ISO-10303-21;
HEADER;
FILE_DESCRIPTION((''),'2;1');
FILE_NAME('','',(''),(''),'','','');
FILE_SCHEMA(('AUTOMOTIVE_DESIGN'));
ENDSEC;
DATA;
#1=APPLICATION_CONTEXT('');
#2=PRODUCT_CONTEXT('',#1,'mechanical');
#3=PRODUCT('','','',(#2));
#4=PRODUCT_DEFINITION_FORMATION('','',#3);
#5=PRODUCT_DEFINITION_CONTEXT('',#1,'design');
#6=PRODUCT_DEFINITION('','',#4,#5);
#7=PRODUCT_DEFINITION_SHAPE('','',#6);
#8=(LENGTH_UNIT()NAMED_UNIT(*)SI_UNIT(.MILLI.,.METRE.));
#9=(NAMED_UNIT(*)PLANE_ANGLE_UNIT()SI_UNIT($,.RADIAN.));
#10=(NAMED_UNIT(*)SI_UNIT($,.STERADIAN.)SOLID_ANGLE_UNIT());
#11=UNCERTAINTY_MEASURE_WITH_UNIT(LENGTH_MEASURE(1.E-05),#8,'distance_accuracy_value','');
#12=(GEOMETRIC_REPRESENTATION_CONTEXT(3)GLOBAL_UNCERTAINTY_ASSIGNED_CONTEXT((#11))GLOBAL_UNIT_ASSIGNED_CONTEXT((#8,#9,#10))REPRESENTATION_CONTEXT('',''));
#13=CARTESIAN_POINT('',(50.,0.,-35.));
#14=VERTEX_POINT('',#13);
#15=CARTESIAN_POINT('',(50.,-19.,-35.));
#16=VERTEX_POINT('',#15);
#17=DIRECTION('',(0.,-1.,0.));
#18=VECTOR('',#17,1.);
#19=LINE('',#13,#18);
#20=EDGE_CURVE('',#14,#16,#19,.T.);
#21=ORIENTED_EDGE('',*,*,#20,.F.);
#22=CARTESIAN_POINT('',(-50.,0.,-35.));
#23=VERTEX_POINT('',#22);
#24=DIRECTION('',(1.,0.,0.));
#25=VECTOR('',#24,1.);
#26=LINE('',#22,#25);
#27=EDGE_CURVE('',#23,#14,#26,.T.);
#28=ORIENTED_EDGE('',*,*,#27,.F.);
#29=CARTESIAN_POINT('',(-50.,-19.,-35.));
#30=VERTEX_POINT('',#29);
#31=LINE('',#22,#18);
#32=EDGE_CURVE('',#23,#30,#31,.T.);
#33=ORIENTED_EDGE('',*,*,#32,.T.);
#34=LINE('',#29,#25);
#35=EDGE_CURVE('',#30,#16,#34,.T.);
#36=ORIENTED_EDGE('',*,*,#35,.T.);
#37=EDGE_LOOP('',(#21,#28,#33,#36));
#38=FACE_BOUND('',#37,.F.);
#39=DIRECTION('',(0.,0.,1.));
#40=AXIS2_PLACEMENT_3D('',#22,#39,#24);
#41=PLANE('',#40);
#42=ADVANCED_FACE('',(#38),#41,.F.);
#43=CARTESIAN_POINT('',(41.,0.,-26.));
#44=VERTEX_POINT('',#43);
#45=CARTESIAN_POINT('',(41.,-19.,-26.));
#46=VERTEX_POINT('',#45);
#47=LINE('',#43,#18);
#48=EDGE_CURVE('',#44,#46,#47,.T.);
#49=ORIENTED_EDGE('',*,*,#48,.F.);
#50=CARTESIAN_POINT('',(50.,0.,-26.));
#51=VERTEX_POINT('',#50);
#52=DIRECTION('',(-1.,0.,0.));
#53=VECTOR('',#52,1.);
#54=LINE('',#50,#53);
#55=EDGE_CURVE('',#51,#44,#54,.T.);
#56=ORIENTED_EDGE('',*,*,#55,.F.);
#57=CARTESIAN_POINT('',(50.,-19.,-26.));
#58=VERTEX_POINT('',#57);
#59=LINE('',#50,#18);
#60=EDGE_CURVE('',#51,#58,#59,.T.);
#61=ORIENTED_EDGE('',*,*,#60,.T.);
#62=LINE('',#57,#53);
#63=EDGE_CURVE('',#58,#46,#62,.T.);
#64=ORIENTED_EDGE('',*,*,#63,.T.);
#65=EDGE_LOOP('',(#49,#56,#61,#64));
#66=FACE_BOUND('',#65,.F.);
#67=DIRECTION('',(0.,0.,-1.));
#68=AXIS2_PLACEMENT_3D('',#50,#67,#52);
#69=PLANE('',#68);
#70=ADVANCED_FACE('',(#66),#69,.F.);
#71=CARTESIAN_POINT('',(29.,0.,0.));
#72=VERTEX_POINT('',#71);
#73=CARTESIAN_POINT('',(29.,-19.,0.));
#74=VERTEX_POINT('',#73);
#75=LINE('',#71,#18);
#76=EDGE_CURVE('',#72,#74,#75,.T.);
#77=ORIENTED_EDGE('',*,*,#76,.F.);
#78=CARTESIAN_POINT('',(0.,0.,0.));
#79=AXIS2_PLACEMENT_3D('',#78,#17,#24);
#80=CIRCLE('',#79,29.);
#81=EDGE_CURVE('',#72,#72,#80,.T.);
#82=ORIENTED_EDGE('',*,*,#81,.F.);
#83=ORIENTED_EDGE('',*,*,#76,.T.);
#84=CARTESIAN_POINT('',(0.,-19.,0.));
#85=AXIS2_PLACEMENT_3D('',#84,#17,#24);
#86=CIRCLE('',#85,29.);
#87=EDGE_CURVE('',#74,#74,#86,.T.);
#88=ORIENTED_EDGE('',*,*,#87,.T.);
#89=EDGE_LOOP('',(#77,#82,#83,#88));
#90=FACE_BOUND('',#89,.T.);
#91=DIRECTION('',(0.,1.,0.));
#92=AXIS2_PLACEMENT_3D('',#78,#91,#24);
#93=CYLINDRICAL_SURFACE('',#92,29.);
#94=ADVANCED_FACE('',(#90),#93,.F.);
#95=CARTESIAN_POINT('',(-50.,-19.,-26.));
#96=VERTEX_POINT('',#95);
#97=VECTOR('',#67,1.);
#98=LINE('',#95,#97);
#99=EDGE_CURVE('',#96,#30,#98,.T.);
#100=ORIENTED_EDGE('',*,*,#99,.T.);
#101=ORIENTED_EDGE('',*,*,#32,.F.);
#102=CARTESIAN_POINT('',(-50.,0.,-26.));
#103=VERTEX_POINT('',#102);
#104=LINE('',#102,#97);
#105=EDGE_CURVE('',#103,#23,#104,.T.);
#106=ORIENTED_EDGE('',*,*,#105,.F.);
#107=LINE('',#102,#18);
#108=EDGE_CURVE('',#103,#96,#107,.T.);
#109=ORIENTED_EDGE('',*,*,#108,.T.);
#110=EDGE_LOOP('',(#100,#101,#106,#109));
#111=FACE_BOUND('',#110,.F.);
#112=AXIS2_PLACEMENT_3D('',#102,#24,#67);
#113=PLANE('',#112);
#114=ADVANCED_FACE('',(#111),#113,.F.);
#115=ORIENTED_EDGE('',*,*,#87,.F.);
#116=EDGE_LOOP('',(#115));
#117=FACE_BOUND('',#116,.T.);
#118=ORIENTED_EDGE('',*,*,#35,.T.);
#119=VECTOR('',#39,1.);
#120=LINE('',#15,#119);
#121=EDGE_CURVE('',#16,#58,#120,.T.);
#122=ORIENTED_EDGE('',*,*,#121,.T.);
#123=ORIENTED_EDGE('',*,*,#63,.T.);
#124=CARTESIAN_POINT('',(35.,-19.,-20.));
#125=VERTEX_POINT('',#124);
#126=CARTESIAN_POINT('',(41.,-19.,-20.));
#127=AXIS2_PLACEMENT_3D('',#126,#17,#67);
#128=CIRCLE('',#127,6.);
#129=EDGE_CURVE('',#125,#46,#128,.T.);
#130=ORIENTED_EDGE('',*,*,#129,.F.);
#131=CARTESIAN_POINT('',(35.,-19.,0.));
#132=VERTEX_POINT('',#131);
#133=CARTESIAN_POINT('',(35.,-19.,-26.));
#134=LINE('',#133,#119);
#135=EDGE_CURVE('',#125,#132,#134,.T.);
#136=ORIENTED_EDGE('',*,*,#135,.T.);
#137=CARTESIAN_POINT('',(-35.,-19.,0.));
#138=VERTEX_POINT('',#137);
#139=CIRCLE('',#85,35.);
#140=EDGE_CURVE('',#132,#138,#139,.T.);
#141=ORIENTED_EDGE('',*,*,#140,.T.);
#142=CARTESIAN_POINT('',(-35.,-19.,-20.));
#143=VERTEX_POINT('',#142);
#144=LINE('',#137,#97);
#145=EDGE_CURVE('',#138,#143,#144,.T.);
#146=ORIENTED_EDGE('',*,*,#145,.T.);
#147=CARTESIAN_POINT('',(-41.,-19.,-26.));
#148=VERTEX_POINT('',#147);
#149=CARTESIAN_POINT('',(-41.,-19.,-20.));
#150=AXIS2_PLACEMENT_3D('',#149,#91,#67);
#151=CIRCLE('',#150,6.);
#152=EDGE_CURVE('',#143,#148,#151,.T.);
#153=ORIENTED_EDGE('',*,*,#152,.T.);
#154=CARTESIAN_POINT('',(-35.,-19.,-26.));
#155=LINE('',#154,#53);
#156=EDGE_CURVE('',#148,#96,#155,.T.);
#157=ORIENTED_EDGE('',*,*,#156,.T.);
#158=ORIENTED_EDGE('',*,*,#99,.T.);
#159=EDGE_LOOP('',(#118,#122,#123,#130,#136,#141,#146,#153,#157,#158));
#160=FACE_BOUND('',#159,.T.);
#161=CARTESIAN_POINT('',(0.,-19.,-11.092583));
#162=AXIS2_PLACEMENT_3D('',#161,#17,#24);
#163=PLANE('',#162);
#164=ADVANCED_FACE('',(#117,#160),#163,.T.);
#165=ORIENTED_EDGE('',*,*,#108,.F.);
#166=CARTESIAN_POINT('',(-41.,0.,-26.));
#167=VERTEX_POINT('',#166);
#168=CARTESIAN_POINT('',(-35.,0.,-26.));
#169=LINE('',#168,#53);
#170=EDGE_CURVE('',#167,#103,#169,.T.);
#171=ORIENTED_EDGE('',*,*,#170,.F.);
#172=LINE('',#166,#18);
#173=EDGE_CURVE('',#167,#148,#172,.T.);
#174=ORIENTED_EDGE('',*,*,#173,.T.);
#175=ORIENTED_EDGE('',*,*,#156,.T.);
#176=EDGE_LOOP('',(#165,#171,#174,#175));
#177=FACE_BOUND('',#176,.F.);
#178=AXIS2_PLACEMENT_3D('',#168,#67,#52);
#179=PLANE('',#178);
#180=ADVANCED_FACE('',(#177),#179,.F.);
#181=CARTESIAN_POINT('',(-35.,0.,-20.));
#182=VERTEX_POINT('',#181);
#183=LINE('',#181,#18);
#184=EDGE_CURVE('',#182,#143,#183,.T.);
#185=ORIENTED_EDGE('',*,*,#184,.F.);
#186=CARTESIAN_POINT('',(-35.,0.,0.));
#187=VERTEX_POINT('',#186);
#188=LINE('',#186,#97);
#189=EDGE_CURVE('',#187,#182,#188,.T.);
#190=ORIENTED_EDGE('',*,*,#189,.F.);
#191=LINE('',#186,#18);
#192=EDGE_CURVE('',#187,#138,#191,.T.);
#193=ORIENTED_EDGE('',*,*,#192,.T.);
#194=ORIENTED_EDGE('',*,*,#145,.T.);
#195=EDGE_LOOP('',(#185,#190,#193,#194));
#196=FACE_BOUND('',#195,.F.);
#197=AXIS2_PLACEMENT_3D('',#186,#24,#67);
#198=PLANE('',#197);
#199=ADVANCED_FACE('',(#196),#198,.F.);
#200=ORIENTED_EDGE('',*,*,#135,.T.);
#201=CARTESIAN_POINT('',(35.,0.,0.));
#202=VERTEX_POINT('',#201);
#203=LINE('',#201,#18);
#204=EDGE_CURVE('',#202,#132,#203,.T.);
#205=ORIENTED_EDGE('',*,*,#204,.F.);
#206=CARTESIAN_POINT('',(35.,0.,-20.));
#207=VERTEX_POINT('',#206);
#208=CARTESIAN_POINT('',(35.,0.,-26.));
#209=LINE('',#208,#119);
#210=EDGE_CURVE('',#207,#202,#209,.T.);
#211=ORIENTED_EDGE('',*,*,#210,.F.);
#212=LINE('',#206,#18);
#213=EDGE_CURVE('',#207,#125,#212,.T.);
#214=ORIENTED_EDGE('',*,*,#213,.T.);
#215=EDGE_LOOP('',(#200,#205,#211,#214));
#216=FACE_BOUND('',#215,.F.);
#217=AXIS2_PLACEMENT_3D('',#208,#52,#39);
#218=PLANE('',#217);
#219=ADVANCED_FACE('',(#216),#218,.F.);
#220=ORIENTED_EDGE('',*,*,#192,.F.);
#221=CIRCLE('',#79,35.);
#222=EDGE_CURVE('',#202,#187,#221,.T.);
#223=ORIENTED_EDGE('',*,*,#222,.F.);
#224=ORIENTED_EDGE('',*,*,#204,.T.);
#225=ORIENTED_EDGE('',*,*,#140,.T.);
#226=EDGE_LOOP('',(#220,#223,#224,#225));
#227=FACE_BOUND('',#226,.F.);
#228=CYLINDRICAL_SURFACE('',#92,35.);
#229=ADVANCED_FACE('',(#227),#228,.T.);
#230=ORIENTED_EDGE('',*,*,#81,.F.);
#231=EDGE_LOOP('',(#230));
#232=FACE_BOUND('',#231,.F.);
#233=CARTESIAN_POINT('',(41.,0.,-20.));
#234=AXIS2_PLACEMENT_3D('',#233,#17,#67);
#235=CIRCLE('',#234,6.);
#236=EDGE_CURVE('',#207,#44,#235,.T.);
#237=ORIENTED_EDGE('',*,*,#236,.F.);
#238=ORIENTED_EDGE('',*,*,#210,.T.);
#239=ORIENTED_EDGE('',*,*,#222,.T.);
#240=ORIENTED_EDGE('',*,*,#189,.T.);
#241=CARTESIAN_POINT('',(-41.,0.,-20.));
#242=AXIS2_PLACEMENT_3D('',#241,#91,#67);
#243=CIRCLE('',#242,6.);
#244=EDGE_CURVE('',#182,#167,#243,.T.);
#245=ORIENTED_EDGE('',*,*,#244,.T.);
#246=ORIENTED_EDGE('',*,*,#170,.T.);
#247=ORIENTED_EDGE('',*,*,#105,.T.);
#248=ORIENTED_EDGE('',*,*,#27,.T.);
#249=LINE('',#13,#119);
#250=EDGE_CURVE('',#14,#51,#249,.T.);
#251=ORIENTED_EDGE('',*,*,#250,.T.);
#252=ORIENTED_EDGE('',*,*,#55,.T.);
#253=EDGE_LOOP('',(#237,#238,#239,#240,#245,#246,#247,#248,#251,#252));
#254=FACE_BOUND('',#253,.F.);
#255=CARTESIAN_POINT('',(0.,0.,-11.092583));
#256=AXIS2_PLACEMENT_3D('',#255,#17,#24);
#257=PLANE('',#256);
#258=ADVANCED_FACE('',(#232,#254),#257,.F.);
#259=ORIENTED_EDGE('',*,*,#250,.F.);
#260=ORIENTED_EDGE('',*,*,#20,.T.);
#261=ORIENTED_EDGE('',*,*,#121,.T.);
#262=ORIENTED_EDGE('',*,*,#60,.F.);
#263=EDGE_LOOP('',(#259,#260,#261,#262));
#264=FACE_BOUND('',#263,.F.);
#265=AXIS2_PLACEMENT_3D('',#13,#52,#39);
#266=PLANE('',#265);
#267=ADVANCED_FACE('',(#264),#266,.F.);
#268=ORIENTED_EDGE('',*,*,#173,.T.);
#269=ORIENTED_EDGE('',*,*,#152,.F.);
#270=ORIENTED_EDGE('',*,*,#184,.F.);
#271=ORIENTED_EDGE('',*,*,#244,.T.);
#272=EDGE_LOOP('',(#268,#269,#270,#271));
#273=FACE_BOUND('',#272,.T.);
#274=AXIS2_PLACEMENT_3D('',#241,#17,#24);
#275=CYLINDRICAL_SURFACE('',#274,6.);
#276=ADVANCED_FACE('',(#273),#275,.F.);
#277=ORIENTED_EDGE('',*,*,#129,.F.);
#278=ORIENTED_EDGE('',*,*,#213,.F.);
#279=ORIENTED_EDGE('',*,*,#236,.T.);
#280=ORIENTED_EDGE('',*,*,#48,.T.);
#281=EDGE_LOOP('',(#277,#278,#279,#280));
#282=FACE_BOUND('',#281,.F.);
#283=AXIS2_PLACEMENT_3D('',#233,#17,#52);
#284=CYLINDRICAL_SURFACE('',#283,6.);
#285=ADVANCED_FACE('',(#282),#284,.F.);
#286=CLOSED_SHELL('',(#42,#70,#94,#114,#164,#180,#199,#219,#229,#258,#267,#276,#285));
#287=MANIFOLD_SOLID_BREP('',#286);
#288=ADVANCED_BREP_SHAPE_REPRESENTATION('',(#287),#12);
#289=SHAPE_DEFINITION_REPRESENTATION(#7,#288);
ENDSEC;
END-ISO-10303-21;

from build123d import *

# Parameters (mm, degrees)
F0_R     = 29
F1_DEPTH = 19
F2_R     = 6


with BuildPart() as f1:
    # F0 (on Front) → F1 (new body)
    with BuildSketch(Plane.XZ):
        with BuildLine():
            Line((35, -26), (35, 0))
            ThreePointArc((35, 0), (0, 35), (-35, 0))
            Line((-35, 0), (-35, -26))
            Line((-35, -26), (-50, -26))
            Line((-50, -26), (-50, -35))
            Line((-50, -35), (0, -35))
            Line((0, -35), (50, -35))
            Line((50, -35), (50, -26))
            Line((50, -26), (35, -26))
        make_face()
        Circle(F0_R, mode=Mode.SUBTRACT)
    extrude(amount=F1_DEPTH)

    # F2
    f2_edges = [f1.edges().sort_by_distance(p)[0] for p in [
        (-35, -9.5, -26),
        (35, -9.5, -26),
    ]]
    fillet(f2_edges, radius=F2_R)


solid = f1.part
